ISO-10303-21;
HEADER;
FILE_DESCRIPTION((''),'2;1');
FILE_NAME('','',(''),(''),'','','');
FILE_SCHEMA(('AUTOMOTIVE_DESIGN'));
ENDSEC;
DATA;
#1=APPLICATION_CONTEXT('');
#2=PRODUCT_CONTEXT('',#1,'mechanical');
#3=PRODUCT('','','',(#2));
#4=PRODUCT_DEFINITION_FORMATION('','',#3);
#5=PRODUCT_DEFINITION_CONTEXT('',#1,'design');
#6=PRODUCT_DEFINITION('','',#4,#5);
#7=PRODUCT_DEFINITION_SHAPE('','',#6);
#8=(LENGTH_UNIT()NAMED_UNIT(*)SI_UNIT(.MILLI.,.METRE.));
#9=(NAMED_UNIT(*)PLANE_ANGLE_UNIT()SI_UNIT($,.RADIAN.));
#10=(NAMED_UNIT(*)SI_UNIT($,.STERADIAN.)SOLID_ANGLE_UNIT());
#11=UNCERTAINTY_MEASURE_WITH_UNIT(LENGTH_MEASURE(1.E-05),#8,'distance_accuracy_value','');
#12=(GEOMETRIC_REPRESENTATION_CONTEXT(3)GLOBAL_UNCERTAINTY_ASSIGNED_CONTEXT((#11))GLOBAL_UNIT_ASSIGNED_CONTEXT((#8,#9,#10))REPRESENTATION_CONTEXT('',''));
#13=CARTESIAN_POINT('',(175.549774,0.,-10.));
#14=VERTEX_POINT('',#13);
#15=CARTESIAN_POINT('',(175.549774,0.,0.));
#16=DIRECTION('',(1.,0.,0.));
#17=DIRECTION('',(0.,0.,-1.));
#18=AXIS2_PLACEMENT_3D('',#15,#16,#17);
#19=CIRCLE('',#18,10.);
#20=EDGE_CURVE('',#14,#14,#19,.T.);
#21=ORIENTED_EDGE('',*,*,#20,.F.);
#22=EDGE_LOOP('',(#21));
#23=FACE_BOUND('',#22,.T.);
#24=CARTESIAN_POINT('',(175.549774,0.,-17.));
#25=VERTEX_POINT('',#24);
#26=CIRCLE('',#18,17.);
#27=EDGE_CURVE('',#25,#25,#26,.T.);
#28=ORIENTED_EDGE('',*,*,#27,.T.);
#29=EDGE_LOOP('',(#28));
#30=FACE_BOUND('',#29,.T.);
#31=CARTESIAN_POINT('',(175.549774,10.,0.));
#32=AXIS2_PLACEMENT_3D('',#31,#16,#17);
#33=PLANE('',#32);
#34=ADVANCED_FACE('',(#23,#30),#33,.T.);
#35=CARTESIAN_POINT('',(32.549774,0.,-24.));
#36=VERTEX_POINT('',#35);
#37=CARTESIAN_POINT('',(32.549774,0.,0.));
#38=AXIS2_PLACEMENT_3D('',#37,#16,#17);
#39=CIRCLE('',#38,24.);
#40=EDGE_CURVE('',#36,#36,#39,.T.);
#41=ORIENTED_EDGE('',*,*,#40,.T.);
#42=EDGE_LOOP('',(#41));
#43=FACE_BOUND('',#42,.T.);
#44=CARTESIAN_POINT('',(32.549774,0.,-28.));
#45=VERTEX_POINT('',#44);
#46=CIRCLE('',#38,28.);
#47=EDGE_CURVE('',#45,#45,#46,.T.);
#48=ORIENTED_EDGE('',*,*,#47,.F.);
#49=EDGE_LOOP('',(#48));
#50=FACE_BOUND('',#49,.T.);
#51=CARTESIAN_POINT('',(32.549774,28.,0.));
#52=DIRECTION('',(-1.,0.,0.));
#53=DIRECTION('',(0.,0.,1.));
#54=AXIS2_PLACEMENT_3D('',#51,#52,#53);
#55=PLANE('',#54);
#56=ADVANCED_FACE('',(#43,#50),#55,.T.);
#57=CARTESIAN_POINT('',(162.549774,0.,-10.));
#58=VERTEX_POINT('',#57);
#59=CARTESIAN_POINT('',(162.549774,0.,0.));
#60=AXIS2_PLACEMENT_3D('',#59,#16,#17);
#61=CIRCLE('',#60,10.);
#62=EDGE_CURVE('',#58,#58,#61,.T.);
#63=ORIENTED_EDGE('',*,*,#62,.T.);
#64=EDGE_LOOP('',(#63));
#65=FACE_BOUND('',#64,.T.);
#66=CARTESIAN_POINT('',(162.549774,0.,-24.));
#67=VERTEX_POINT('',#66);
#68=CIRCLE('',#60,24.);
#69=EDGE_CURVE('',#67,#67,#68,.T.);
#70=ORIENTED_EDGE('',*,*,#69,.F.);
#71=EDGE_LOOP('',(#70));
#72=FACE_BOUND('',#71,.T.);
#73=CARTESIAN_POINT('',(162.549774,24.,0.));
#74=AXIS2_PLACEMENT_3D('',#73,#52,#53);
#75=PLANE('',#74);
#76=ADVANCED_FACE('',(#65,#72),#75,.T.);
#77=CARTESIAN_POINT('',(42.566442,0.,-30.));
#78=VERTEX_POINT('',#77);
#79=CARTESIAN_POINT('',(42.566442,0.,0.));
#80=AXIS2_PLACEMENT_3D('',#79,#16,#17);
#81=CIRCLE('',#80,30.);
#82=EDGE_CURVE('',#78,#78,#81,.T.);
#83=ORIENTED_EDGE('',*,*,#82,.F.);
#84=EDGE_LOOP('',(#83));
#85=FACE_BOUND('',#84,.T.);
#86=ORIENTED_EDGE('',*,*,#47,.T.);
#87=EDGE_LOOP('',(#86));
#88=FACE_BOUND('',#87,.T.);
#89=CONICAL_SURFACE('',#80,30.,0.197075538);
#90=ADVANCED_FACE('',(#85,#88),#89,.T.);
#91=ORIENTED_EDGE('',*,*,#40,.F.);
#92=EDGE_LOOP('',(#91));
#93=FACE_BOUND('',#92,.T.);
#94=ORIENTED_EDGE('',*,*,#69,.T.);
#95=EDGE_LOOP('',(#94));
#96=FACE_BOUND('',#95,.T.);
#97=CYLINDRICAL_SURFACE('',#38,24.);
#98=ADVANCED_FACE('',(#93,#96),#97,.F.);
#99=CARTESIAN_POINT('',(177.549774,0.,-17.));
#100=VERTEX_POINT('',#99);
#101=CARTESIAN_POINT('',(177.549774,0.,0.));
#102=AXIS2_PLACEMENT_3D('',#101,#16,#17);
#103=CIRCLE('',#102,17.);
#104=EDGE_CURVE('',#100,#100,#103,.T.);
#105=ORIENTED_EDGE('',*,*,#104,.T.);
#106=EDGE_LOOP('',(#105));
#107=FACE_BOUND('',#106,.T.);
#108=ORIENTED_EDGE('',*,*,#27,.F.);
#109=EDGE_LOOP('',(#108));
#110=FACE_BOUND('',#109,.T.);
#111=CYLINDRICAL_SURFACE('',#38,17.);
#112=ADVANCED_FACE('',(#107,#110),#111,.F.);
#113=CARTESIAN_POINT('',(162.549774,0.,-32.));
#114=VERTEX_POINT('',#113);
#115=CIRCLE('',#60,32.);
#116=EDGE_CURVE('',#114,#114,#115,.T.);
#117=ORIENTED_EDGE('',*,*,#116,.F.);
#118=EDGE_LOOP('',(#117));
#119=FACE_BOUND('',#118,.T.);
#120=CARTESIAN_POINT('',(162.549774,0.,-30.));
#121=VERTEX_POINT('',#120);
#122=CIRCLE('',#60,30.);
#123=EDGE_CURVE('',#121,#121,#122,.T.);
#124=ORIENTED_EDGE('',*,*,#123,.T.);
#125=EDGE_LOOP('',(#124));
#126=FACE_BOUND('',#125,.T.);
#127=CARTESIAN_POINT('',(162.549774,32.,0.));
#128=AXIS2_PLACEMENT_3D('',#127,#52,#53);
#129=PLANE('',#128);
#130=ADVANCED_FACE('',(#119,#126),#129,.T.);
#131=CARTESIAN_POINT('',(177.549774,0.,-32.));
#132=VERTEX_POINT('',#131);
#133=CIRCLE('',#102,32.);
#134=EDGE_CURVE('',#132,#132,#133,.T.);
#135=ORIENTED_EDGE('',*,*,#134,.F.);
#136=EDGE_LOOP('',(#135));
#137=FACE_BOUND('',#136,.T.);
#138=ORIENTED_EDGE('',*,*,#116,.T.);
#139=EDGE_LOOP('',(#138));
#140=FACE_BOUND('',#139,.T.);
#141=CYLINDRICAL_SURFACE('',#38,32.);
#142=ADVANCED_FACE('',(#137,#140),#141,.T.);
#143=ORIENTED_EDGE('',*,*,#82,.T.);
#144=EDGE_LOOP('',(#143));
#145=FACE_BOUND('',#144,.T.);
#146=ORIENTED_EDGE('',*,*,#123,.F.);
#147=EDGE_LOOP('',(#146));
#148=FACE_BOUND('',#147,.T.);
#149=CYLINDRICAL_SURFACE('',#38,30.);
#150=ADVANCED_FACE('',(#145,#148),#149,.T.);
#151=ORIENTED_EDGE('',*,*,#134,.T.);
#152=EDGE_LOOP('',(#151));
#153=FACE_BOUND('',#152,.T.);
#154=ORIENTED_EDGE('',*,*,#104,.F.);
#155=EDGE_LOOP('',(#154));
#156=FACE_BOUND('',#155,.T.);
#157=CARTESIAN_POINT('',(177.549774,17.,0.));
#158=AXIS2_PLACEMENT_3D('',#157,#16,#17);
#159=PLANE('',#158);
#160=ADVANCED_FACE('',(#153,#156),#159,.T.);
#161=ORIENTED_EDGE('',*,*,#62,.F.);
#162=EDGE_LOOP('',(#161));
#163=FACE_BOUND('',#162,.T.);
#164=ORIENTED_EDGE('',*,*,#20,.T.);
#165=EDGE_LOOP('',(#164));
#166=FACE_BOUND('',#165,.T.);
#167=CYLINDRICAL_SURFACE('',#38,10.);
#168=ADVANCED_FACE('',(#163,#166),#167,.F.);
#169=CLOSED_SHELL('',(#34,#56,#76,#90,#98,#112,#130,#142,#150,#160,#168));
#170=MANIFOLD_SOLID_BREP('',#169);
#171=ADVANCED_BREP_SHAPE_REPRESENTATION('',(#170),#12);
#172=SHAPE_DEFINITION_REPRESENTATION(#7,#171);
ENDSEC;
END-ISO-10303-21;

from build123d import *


with BuildPart() as part:
    # Esquisse1 → Révolution1 (revolve)
    with BuildSketch(Plane.XY, mode=Mode.PRIVATE) as r_volution1_sk:
        Polygon((175.54977417, 10), (175.54977417, 17), (177.54977417, 17), (177.54977417, 32), (162.54977417, 32), (162.54977417, 30), (42.566441994, 30), (32.54977417, 28), (32.54977417, 24), (162.54977417, 24), (162.54977417, 10), align=None)
    revolve(r_volution1_sk.sketch.rotate(Axis((32.54977417, 0, 0), (1, 0, 0)), 270), axis=Axis((32.54977417, 0, 0), (1, 0, 0)))


solid = part.part
